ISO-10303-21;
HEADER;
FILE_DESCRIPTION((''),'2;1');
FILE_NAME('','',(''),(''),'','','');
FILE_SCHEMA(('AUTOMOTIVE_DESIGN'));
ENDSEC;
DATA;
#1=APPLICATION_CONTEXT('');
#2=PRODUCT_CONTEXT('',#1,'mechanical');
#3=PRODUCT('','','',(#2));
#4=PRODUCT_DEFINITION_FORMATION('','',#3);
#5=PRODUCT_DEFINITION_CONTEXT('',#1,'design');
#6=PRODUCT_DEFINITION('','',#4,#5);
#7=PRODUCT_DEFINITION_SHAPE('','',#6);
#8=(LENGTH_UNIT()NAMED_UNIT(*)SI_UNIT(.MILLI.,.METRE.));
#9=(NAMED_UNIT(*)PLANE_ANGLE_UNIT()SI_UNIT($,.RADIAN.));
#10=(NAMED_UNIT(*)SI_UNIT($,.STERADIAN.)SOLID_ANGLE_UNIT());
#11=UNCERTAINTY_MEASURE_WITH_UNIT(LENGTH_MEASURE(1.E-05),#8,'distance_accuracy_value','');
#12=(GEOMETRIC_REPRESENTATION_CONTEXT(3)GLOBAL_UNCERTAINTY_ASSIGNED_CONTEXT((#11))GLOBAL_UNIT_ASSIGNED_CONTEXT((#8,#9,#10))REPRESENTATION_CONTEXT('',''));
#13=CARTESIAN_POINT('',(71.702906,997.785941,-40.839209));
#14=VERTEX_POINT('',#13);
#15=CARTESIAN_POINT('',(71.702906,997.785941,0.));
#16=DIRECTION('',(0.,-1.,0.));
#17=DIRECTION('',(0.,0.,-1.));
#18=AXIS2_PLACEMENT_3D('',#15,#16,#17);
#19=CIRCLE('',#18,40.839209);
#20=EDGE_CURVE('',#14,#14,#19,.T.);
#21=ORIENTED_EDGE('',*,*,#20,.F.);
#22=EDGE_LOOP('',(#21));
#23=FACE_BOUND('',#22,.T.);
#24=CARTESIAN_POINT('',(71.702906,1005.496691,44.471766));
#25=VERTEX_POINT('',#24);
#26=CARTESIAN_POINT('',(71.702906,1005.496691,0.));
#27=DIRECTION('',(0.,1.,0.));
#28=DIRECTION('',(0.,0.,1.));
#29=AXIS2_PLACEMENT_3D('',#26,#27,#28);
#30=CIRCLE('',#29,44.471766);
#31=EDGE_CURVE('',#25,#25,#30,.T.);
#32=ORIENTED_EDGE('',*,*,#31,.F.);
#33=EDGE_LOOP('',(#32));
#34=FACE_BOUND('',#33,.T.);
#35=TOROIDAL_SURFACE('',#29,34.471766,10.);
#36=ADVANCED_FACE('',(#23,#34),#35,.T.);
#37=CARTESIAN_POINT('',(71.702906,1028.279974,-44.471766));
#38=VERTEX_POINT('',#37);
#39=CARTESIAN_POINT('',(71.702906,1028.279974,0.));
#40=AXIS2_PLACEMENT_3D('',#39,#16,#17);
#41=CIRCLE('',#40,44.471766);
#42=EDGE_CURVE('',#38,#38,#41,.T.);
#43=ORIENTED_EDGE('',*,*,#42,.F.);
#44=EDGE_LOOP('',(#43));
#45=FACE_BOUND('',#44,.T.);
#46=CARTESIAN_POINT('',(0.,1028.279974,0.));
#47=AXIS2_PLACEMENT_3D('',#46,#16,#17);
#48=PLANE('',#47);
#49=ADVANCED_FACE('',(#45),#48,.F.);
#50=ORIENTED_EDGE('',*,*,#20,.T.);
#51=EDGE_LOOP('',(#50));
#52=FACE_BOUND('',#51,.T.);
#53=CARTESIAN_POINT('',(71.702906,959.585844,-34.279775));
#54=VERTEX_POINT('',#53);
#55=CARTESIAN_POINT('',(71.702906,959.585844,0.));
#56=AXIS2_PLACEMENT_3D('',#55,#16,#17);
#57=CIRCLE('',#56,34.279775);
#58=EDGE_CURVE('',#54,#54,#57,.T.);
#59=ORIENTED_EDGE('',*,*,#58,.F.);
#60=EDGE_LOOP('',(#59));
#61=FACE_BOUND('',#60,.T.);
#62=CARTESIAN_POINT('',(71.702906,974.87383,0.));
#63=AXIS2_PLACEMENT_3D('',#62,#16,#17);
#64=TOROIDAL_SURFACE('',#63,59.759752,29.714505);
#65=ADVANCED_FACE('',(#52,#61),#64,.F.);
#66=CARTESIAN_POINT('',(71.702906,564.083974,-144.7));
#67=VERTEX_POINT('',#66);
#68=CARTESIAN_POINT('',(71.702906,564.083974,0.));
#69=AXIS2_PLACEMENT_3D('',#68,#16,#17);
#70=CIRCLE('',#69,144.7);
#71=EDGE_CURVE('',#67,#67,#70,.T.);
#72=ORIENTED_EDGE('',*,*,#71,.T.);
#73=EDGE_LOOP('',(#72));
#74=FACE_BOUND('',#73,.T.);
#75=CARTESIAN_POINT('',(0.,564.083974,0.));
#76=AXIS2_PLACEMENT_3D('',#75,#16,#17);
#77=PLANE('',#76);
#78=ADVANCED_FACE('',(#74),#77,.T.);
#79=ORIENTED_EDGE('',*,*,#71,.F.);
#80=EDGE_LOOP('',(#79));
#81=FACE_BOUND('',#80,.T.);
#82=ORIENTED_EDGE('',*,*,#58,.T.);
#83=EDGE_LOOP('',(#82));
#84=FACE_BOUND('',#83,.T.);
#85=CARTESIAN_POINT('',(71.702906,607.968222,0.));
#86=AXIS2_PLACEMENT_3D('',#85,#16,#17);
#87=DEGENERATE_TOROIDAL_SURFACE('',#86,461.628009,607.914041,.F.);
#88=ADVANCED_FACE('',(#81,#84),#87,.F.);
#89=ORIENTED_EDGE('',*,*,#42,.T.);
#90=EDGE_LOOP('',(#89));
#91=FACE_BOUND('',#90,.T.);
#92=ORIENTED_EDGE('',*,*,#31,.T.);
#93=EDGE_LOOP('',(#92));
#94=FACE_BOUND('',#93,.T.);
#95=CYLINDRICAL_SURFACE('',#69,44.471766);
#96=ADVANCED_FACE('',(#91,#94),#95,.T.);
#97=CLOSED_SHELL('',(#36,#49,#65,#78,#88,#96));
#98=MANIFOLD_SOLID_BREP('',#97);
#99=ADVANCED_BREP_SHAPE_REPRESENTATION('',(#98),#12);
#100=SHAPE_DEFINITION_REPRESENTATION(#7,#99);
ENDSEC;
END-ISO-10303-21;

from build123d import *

# Parameters (mm, degrees)
SKETCH7_4_W = 44.471765842
SKETCH7_4_H = 27.926166375
FILLET1_R   = 10


with BuildPart() as part:
    # Sketch7 → Revolve1 (revolve)
    with BuildSketch(Plane.XY):
        with BuildLine():
            Line((71.702906323, 1000.353807812), (71.702906323, 564.083974187))
            Line((71.702906323, 564.083974187), (216.402906323, 564.083974187))
            ThreePointArc((216.402906323, 564.083974187), (195.597200889, 771.440280452), (105.982681142, 959.585843719))
            ThreePointArc((105.982681142, 959.585843719), (102.635354835, 982.08065622), (116.174672165, 1000.353807812))
            Line((116.174672165, 1000.353807812), (71.702906323, 1000.353807812))
        make_face()
    revolve(axis=Axis((71.702906323, 564.083974187, 0), (0, 1, 0)))

    # Sketch7<4> → Revolve2 (revolve)
    with BuildSketch(Plane.XY):
        with Locations((93.938789244, 1014.316891)):
            Rectangle(SKETCH7_4_W, SKETCH7_4_H)
    revolve(axis=Axis((71.702906323, 564.083974187, 0), (0, 1, 0)))

    # Fillet1
    fillet1_edges = [part.edges().sort_by_distance(p)[0] for p in [
        (27.231140482, 1000.353807812, 0),
    ]]
    fillet(fillet1_edges, radius=FILLET1_R)


solid = part.part
